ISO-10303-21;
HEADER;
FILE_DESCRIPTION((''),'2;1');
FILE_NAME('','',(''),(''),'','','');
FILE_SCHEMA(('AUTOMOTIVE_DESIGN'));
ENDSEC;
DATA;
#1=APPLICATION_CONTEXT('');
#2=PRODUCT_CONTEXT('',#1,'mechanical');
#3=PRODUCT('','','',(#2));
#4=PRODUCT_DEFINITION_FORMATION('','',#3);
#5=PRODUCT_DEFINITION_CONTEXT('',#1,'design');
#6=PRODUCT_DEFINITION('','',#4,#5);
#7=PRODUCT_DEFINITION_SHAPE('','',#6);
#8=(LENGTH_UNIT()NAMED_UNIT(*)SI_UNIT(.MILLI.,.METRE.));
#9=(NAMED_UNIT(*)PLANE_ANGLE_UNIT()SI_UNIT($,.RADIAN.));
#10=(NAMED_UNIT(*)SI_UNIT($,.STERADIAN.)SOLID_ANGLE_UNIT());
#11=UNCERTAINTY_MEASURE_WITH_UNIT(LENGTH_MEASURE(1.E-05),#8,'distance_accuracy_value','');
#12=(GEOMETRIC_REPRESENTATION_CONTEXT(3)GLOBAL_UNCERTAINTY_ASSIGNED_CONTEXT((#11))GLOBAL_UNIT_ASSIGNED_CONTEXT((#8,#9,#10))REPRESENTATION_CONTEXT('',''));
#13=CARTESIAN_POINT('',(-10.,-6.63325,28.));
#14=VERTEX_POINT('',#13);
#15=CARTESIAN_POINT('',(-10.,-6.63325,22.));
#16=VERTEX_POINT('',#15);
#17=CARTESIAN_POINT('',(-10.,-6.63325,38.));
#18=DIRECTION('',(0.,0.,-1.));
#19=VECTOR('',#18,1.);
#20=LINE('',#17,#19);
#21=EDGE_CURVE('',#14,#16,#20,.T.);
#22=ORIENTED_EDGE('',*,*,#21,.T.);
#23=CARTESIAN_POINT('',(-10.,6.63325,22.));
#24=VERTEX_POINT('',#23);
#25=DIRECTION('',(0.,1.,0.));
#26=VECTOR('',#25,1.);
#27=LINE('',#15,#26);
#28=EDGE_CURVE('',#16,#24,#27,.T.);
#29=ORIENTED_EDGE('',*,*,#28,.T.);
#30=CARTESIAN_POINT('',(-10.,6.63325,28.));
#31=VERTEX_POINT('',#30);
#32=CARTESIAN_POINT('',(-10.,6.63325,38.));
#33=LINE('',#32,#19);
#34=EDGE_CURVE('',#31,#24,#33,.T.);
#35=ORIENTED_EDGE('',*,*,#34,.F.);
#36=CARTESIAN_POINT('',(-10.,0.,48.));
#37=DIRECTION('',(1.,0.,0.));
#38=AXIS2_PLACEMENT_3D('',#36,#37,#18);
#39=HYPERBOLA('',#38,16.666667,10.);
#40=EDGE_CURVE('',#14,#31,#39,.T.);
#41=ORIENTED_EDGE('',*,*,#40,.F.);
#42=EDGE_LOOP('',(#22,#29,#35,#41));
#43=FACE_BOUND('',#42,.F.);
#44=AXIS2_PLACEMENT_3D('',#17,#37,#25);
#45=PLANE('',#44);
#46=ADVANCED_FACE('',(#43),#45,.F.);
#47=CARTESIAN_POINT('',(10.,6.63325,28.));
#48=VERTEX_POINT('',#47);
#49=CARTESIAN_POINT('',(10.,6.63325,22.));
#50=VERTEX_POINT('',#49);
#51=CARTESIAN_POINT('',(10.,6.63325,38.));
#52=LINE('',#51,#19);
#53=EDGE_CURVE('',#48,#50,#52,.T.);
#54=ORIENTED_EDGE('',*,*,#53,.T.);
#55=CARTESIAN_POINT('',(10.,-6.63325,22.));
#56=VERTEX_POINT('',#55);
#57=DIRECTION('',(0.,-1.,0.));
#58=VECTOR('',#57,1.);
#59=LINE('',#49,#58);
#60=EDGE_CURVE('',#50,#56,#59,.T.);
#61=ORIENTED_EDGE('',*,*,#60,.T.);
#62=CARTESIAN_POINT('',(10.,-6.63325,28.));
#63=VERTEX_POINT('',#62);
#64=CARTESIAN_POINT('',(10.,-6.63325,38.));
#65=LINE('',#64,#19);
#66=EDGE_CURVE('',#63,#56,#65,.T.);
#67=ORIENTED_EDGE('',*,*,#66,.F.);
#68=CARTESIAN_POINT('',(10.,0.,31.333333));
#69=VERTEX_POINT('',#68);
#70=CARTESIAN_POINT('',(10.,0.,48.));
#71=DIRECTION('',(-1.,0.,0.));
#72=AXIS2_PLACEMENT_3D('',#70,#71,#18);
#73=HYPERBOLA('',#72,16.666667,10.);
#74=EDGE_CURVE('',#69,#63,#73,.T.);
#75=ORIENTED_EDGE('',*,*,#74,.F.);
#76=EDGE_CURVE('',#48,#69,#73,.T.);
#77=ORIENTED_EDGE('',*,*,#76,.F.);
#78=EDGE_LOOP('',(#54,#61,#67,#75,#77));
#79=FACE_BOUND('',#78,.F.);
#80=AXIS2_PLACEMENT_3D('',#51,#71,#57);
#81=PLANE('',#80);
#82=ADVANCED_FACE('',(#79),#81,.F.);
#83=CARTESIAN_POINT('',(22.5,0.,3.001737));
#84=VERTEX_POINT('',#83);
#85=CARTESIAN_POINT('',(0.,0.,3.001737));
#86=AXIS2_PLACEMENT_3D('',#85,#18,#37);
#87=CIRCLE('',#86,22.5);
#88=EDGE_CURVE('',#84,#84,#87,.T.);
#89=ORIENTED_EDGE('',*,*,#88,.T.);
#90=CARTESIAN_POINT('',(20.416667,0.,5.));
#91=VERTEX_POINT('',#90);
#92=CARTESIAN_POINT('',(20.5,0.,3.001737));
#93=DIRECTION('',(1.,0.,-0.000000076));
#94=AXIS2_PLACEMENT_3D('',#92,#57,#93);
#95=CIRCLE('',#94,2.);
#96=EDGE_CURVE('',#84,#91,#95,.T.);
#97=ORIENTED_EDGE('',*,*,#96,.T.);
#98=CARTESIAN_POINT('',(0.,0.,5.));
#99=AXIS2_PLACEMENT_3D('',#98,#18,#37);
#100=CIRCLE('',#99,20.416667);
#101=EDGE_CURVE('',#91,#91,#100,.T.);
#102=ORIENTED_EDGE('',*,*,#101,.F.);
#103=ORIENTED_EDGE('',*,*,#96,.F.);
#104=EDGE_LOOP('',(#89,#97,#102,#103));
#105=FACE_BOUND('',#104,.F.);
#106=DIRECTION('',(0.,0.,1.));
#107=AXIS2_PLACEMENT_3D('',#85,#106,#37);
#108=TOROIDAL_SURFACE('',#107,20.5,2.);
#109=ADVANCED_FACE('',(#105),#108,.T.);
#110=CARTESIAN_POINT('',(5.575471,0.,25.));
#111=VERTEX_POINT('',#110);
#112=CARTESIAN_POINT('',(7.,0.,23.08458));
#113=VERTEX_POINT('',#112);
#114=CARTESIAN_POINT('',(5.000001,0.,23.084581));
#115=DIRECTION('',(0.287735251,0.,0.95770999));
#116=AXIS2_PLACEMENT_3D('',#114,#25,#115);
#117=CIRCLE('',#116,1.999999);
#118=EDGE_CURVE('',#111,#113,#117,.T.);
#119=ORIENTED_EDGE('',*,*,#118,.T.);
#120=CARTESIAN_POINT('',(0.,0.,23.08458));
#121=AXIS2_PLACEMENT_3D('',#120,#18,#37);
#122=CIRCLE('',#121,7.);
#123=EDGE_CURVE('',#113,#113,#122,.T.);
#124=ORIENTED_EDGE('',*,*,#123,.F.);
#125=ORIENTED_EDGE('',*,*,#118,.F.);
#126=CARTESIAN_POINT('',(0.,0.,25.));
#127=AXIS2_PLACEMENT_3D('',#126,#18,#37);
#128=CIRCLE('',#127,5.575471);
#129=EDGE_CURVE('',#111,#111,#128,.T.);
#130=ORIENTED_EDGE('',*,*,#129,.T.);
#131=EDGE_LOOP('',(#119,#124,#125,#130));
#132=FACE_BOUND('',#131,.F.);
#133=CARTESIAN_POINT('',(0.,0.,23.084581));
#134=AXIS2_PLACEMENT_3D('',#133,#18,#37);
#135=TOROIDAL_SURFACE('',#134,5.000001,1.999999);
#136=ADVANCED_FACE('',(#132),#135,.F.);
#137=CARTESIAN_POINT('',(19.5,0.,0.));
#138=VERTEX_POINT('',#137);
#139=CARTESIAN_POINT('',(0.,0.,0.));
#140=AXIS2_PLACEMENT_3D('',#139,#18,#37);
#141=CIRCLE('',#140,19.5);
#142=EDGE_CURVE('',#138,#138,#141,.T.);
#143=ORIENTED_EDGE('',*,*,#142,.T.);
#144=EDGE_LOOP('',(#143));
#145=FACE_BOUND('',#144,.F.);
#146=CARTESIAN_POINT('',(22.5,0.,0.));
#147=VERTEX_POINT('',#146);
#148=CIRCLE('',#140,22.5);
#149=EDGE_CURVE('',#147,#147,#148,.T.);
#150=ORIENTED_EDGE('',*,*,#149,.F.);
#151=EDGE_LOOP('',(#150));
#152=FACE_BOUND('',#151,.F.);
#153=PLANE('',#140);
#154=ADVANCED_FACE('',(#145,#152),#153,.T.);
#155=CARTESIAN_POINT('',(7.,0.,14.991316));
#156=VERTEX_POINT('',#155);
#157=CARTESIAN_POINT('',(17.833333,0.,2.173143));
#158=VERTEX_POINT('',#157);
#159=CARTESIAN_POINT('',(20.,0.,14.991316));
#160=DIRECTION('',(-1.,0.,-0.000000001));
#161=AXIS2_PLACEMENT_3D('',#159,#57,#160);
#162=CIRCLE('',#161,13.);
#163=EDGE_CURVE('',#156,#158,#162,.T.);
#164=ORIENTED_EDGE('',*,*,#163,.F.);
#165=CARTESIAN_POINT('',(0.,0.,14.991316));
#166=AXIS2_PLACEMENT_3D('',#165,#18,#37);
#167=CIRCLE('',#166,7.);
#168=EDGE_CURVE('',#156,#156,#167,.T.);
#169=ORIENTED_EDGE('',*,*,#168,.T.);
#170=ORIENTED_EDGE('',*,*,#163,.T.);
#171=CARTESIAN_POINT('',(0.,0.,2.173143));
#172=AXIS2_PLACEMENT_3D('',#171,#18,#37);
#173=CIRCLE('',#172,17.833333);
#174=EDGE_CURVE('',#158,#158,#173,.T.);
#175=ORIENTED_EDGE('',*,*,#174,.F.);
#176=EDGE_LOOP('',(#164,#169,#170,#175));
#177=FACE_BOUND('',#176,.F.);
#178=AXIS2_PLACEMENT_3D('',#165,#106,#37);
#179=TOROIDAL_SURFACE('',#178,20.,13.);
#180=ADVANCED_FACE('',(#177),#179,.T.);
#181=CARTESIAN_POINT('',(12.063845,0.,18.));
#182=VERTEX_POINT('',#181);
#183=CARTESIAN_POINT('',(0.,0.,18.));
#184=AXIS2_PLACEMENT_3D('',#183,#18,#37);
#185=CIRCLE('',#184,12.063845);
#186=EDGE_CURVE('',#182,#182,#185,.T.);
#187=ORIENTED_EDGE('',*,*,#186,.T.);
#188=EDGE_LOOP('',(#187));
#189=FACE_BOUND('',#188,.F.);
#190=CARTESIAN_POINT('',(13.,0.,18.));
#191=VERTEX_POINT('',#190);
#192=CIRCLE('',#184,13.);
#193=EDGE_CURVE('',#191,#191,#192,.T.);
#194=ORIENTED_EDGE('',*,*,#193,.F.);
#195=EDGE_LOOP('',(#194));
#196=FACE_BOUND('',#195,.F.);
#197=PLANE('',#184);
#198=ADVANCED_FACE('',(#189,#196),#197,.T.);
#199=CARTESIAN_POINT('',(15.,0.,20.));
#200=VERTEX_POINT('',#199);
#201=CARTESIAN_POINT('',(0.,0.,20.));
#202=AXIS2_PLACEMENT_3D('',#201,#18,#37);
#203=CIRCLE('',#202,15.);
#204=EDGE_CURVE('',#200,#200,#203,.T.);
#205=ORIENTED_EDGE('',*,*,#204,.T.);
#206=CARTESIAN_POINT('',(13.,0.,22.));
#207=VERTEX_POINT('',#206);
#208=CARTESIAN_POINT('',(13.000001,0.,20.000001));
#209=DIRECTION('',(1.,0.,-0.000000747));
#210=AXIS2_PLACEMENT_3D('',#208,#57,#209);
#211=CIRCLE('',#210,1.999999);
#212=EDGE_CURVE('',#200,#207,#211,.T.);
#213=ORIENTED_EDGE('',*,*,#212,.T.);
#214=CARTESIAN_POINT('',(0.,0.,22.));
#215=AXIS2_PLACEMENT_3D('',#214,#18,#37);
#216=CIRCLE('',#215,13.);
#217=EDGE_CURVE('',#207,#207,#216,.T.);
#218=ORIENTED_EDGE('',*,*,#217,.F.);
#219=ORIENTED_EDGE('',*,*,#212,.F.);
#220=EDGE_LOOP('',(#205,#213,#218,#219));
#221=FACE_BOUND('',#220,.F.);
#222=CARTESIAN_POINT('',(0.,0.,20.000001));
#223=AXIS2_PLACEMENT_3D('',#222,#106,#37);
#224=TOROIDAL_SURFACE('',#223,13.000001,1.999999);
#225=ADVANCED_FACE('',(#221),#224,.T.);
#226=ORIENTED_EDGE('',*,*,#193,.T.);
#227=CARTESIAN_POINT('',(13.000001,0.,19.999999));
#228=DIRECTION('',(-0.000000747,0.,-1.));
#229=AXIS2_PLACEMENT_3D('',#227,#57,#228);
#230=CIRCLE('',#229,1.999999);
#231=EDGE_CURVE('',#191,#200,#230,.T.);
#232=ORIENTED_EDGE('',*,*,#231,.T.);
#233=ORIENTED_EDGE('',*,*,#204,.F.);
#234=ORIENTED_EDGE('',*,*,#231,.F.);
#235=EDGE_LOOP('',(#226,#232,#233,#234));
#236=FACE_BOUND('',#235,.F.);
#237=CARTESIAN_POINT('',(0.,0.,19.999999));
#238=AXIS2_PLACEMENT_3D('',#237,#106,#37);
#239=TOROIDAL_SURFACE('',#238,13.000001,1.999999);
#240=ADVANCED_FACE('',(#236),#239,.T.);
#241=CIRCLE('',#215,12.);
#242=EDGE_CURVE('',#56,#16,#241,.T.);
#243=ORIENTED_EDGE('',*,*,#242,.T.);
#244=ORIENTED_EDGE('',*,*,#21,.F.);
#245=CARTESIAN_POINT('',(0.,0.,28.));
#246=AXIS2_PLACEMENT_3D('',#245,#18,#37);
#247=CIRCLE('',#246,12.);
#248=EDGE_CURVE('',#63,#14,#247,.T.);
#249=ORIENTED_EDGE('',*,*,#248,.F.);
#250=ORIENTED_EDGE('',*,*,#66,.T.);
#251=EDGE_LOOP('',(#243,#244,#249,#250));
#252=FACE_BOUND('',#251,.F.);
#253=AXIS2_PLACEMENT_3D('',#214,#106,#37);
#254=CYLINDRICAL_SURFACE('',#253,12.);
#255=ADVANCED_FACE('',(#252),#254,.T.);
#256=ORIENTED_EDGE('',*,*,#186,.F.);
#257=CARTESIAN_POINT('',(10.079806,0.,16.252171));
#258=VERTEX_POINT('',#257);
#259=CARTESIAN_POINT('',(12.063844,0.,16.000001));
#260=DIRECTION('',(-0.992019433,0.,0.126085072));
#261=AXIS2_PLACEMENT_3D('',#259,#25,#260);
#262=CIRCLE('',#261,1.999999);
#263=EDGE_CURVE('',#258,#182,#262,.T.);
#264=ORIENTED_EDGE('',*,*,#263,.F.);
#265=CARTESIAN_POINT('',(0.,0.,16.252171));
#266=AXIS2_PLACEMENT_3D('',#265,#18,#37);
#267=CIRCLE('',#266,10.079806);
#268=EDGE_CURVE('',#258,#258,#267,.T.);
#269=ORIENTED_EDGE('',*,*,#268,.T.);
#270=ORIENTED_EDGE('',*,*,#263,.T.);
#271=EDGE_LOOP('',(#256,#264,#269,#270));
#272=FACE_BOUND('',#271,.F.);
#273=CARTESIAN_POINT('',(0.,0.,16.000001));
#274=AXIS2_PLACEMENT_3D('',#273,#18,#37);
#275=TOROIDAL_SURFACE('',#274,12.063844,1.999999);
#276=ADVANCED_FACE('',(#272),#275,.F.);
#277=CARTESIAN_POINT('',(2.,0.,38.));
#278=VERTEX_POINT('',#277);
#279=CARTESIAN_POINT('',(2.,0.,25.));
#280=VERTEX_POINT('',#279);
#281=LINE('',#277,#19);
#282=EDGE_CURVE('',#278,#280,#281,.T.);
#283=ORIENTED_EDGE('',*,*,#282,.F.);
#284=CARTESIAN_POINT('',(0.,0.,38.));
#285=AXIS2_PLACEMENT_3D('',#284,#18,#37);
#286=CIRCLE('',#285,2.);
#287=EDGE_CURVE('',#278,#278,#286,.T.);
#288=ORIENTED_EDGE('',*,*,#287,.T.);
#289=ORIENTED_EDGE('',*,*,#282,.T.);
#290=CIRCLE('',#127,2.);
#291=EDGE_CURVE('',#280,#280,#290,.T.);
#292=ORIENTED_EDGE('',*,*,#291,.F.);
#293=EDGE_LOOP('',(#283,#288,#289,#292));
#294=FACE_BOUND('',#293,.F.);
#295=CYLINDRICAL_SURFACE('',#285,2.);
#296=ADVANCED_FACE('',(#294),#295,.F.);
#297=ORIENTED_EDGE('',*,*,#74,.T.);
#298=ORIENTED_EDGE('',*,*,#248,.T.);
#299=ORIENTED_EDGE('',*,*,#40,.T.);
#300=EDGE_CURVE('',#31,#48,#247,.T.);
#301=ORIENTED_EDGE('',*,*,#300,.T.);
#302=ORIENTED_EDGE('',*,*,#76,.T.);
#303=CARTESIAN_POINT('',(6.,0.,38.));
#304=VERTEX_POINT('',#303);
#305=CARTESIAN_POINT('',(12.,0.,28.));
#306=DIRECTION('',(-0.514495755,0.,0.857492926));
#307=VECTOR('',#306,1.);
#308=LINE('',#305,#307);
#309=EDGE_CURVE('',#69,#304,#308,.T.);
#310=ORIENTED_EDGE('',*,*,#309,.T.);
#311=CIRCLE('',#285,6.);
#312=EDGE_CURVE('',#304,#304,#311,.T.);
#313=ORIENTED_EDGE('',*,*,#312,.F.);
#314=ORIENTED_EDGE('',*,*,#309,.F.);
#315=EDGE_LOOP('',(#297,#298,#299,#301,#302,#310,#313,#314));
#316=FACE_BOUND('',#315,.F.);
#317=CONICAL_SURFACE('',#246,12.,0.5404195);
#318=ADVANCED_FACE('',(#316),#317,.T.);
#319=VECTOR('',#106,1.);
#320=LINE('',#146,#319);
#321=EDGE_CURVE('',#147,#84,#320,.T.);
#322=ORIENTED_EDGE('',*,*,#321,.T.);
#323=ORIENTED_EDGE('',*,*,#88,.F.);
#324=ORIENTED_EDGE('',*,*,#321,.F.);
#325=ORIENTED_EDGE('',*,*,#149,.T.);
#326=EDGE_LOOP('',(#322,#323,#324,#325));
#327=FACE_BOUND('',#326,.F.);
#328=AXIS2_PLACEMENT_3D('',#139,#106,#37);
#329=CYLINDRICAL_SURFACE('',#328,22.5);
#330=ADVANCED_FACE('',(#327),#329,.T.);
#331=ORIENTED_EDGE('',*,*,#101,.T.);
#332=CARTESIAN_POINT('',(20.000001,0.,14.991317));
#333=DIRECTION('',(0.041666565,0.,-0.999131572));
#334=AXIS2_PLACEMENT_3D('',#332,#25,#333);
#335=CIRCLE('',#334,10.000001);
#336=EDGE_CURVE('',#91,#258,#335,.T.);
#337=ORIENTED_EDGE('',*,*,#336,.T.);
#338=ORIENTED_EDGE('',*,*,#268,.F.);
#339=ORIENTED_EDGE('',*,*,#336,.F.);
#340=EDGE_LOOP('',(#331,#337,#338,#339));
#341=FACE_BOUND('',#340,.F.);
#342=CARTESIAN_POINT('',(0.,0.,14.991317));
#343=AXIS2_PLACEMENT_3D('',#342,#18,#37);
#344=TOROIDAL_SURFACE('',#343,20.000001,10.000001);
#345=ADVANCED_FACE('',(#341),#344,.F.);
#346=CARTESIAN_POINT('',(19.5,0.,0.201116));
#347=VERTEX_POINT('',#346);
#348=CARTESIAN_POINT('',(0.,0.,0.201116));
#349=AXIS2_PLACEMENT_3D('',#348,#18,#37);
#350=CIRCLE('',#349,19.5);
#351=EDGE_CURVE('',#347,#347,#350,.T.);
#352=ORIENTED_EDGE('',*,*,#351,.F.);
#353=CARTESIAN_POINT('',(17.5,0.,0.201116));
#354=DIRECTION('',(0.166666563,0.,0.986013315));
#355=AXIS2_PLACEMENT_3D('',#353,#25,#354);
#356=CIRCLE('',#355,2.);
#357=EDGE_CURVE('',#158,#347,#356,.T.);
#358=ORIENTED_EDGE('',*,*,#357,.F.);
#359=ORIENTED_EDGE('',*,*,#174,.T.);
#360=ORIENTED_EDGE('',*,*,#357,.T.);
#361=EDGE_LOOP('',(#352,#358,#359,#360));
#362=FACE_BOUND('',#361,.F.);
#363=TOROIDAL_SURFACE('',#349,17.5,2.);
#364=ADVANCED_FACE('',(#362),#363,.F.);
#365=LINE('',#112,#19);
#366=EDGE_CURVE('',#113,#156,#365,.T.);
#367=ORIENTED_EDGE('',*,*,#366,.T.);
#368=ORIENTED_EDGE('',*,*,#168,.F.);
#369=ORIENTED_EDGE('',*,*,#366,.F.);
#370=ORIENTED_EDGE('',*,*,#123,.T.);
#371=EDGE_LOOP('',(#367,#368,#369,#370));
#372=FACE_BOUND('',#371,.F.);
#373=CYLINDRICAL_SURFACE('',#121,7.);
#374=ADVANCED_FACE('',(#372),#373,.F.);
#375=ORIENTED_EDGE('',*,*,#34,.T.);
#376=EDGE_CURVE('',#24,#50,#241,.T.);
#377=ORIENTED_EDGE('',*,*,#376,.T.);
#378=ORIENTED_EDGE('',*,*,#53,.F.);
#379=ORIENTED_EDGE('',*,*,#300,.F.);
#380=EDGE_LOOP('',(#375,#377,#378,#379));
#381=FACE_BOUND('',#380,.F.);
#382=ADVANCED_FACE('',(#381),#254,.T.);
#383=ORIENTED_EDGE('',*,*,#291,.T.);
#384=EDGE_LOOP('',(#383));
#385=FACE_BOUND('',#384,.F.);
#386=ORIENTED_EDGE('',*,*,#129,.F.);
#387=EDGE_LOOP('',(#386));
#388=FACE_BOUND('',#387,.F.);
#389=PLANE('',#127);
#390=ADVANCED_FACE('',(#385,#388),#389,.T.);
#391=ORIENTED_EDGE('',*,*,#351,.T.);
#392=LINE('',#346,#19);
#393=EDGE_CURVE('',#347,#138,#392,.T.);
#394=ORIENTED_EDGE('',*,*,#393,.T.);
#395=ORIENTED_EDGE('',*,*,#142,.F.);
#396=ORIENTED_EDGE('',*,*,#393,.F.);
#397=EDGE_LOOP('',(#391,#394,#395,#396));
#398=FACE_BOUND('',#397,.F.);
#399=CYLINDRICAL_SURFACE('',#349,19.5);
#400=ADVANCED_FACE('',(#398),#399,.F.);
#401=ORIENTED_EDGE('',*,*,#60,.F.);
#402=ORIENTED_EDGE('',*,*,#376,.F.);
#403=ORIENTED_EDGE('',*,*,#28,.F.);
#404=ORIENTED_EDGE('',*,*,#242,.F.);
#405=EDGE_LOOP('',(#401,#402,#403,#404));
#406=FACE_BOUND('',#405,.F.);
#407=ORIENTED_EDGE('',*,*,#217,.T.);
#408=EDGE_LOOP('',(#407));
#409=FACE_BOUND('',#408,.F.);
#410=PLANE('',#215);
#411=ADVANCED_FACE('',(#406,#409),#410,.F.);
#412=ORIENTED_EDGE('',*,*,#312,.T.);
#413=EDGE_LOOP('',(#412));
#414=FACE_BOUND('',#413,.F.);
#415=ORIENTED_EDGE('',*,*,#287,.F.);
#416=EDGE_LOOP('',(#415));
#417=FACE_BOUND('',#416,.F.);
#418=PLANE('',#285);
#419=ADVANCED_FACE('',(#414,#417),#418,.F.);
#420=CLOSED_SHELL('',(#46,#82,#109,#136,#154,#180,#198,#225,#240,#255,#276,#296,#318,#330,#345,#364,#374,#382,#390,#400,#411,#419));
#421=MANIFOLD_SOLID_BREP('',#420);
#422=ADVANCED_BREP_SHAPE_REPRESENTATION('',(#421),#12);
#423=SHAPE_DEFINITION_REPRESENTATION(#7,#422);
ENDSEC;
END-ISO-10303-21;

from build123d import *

# Parameters (mm, degrees)
F3_DEPTH = 16


with BuildPart() as f1:
    # F0 (on Front) → F1 (revolve)
    with BuildSketch(Plane.XZ):
        with BuildLine():
            Line((19.5, 0), (22.5, 0))
            Line((22.5, 0), (22.5, 3.001737))
            ThreePointArc((22.5, 3.001737), (21.884437, 4.445113), (20.416667, 5))
            ThreePointArc((20.416667, 5), (12.635756, 8.226118), (10.079806, 16.252171))
            ThreePointArc((10.079806, 16.252171), (10.74179, 17.500724), (12.063845, 18))
            Line((12.063845, 18), (13, 18))
            ThreePointArc((13, 18), (14.414214, 18.585786), (15, 20))
            ThreePointArc((15, 20), (14.414214, 21.414214), (13, 22))
            Line((13, 22), (12, 22))
            Line((12, 22), (12, 28))
            Line((12, 28), (6, 38))
            Line((6, 38), (2, 38))
            Line((2, 38), (2, 25))
            Line((2, 25), (5.575471, 25))
            ThreePointArc((5.575471, 25), (6.604828, 24.278116), (7, 23.08458))
            Line((7, 23.08458), (7, 14.991316))
            ThreePointArc((7, 14.991316), (10.071086, 6.599852), (17.833333, 2.173143))
            ThreePointArc((17.833333, 2.173143), (19.027525, 1.492111), (19.5, 0.201116))
            Line((19.5, 0.201116), (19.5, 0))
        make_face()
    revolve(axis=Axis((0, 0, 31.5), (0, 0, -1)))

    # F2 (on face) → F3 (cut, through all)
    with BuildSketch(Plane.XY.offset(38)):
        with BuildLine():
            ThreePointArc((10, -6.63325), (11.489125, -3.464102), (12, 0))
            ThreePointArc((12, 0), (11.489125, 3.464102), (10, 6.63325))
            Line((10, 6.63325), (10, -6.63325))
        make_face()
        with BuildLine():
            Line((-10, -6.63325), (-10, 6.63325))
            ThreePointArc((-10, 6.63325), (-12, 0), (-10, -6.63325))
        make_face()
    extrude(amount=-F3_DEPTH, mode=Mode.SUBTRACT)


solid = f1.part
